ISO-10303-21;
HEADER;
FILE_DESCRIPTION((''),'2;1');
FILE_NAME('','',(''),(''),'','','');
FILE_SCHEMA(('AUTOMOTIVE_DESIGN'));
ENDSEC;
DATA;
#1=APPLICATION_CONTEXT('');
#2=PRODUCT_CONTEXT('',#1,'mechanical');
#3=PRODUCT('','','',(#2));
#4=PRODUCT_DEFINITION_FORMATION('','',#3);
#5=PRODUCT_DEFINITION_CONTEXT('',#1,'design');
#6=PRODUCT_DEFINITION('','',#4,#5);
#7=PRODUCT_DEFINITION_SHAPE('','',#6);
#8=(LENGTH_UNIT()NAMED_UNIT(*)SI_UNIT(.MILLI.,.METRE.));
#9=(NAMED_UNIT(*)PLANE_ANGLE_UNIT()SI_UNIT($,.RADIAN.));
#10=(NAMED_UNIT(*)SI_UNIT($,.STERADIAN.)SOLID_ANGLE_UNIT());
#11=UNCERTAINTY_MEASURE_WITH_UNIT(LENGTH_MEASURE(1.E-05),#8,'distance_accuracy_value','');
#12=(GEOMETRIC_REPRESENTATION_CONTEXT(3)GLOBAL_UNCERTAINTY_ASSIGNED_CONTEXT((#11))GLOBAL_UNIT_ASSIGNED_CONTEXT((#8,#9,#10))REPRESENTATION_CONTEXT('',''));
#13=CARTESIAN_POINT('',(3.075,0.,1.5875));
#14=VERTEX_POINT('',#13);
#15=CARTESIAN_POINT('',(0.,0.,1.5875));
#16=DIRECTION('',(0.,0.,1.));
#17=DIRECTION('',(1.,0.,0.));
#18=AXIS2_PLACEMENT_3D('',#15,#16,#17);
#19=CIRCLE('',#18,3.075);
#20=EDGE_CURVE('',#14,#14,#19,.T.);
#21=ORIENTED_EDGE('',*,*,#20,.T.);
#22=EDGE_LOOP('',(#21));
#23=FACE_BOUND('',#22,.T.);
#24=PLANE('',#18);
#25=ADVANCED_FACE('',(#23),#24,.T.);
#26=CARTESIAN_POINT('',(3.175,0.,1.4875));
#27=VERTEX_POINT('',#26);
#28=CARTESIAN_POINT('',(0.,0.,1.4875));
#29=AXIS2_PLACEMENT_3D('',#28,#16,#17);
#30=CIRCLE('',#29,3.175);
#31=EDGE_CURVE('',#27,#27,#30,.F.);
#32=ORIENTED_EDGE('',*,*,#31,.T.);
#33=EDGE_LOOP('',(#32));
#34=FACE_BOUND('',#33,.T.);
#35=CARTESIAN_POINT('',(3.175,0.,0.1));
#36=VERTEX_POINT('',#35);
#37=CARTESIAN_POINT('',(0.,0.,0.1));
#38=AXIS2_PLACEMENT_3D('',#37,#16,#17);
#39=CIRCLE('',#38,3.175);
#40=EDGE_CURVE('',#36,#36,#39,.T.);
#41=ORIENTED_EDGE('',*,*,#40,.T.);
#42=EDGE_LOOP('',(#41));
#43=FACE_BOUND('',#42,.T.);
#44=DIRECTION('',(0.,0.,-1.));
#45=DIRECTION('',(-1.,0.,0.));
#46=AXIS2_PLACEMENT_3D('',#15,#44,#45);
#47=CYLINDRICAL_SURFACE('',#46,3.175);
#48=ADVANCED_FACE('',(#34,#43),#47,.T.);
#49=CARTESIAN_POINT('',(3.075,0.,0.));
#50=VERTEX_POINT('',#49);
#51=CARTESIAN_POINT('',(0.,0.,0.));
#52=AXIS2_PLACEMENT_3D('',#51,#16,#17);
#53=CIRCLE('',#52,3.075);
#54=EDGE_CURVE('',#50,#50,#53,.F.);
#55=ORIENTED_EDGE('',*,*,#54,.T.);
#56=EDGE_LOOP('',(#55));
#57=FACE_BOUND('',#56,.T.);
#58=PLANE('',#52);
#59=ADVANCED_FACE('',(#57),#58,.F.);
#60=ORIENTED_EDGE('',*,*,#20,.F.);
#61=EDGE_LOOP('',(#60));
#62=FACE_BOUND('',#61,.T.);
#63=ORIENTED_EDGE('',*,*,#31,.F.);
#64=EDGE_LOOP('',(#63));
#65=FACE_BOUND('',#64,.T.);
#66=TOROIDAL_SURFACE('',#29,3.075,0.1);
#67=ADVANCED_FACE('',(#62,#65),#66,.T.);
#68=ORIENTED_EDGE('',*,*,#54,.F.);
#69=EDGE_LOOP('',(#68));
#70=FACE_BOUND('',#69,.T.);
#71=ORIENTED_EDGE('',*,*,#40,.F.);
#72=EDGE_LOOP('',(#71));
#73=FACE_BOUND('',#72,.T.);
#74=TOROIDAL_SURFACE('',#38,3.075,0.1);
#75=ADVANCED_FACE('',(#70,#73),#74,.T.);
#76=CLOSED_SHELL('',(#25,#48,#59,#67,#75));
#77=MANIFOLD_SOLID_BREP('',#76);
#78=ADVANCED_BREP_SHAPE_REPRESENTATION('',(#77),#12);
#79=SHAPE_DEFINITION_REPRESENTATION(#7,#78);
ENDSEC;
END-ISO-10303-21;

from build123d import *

# Parameters (mm, degrees)
SKETCH2_R           = 3.175
BOSS_EXTRUDE2_DEPTH = 1.5875
FILLET2_R           = 0.1


with BuildPart() as part:
    # Sketch2 → Boss-Extrude2 (new body)
    with BuildSketch(Plane.XY):
        Circle(SKETCH2_R)
    extrude(amount=BOSS_EXTRUDE2_DEPTH)

    # Fillet2
    fillet2_edges = [part.edges().sort_by_distance(p)[0] for p in [
        (-3.175, 0, 0),
        (-3.175, 0, 1.5875),
    ]]
    fillet(fillet2_edges, radius=FILLET2_R)


solid = part.part
